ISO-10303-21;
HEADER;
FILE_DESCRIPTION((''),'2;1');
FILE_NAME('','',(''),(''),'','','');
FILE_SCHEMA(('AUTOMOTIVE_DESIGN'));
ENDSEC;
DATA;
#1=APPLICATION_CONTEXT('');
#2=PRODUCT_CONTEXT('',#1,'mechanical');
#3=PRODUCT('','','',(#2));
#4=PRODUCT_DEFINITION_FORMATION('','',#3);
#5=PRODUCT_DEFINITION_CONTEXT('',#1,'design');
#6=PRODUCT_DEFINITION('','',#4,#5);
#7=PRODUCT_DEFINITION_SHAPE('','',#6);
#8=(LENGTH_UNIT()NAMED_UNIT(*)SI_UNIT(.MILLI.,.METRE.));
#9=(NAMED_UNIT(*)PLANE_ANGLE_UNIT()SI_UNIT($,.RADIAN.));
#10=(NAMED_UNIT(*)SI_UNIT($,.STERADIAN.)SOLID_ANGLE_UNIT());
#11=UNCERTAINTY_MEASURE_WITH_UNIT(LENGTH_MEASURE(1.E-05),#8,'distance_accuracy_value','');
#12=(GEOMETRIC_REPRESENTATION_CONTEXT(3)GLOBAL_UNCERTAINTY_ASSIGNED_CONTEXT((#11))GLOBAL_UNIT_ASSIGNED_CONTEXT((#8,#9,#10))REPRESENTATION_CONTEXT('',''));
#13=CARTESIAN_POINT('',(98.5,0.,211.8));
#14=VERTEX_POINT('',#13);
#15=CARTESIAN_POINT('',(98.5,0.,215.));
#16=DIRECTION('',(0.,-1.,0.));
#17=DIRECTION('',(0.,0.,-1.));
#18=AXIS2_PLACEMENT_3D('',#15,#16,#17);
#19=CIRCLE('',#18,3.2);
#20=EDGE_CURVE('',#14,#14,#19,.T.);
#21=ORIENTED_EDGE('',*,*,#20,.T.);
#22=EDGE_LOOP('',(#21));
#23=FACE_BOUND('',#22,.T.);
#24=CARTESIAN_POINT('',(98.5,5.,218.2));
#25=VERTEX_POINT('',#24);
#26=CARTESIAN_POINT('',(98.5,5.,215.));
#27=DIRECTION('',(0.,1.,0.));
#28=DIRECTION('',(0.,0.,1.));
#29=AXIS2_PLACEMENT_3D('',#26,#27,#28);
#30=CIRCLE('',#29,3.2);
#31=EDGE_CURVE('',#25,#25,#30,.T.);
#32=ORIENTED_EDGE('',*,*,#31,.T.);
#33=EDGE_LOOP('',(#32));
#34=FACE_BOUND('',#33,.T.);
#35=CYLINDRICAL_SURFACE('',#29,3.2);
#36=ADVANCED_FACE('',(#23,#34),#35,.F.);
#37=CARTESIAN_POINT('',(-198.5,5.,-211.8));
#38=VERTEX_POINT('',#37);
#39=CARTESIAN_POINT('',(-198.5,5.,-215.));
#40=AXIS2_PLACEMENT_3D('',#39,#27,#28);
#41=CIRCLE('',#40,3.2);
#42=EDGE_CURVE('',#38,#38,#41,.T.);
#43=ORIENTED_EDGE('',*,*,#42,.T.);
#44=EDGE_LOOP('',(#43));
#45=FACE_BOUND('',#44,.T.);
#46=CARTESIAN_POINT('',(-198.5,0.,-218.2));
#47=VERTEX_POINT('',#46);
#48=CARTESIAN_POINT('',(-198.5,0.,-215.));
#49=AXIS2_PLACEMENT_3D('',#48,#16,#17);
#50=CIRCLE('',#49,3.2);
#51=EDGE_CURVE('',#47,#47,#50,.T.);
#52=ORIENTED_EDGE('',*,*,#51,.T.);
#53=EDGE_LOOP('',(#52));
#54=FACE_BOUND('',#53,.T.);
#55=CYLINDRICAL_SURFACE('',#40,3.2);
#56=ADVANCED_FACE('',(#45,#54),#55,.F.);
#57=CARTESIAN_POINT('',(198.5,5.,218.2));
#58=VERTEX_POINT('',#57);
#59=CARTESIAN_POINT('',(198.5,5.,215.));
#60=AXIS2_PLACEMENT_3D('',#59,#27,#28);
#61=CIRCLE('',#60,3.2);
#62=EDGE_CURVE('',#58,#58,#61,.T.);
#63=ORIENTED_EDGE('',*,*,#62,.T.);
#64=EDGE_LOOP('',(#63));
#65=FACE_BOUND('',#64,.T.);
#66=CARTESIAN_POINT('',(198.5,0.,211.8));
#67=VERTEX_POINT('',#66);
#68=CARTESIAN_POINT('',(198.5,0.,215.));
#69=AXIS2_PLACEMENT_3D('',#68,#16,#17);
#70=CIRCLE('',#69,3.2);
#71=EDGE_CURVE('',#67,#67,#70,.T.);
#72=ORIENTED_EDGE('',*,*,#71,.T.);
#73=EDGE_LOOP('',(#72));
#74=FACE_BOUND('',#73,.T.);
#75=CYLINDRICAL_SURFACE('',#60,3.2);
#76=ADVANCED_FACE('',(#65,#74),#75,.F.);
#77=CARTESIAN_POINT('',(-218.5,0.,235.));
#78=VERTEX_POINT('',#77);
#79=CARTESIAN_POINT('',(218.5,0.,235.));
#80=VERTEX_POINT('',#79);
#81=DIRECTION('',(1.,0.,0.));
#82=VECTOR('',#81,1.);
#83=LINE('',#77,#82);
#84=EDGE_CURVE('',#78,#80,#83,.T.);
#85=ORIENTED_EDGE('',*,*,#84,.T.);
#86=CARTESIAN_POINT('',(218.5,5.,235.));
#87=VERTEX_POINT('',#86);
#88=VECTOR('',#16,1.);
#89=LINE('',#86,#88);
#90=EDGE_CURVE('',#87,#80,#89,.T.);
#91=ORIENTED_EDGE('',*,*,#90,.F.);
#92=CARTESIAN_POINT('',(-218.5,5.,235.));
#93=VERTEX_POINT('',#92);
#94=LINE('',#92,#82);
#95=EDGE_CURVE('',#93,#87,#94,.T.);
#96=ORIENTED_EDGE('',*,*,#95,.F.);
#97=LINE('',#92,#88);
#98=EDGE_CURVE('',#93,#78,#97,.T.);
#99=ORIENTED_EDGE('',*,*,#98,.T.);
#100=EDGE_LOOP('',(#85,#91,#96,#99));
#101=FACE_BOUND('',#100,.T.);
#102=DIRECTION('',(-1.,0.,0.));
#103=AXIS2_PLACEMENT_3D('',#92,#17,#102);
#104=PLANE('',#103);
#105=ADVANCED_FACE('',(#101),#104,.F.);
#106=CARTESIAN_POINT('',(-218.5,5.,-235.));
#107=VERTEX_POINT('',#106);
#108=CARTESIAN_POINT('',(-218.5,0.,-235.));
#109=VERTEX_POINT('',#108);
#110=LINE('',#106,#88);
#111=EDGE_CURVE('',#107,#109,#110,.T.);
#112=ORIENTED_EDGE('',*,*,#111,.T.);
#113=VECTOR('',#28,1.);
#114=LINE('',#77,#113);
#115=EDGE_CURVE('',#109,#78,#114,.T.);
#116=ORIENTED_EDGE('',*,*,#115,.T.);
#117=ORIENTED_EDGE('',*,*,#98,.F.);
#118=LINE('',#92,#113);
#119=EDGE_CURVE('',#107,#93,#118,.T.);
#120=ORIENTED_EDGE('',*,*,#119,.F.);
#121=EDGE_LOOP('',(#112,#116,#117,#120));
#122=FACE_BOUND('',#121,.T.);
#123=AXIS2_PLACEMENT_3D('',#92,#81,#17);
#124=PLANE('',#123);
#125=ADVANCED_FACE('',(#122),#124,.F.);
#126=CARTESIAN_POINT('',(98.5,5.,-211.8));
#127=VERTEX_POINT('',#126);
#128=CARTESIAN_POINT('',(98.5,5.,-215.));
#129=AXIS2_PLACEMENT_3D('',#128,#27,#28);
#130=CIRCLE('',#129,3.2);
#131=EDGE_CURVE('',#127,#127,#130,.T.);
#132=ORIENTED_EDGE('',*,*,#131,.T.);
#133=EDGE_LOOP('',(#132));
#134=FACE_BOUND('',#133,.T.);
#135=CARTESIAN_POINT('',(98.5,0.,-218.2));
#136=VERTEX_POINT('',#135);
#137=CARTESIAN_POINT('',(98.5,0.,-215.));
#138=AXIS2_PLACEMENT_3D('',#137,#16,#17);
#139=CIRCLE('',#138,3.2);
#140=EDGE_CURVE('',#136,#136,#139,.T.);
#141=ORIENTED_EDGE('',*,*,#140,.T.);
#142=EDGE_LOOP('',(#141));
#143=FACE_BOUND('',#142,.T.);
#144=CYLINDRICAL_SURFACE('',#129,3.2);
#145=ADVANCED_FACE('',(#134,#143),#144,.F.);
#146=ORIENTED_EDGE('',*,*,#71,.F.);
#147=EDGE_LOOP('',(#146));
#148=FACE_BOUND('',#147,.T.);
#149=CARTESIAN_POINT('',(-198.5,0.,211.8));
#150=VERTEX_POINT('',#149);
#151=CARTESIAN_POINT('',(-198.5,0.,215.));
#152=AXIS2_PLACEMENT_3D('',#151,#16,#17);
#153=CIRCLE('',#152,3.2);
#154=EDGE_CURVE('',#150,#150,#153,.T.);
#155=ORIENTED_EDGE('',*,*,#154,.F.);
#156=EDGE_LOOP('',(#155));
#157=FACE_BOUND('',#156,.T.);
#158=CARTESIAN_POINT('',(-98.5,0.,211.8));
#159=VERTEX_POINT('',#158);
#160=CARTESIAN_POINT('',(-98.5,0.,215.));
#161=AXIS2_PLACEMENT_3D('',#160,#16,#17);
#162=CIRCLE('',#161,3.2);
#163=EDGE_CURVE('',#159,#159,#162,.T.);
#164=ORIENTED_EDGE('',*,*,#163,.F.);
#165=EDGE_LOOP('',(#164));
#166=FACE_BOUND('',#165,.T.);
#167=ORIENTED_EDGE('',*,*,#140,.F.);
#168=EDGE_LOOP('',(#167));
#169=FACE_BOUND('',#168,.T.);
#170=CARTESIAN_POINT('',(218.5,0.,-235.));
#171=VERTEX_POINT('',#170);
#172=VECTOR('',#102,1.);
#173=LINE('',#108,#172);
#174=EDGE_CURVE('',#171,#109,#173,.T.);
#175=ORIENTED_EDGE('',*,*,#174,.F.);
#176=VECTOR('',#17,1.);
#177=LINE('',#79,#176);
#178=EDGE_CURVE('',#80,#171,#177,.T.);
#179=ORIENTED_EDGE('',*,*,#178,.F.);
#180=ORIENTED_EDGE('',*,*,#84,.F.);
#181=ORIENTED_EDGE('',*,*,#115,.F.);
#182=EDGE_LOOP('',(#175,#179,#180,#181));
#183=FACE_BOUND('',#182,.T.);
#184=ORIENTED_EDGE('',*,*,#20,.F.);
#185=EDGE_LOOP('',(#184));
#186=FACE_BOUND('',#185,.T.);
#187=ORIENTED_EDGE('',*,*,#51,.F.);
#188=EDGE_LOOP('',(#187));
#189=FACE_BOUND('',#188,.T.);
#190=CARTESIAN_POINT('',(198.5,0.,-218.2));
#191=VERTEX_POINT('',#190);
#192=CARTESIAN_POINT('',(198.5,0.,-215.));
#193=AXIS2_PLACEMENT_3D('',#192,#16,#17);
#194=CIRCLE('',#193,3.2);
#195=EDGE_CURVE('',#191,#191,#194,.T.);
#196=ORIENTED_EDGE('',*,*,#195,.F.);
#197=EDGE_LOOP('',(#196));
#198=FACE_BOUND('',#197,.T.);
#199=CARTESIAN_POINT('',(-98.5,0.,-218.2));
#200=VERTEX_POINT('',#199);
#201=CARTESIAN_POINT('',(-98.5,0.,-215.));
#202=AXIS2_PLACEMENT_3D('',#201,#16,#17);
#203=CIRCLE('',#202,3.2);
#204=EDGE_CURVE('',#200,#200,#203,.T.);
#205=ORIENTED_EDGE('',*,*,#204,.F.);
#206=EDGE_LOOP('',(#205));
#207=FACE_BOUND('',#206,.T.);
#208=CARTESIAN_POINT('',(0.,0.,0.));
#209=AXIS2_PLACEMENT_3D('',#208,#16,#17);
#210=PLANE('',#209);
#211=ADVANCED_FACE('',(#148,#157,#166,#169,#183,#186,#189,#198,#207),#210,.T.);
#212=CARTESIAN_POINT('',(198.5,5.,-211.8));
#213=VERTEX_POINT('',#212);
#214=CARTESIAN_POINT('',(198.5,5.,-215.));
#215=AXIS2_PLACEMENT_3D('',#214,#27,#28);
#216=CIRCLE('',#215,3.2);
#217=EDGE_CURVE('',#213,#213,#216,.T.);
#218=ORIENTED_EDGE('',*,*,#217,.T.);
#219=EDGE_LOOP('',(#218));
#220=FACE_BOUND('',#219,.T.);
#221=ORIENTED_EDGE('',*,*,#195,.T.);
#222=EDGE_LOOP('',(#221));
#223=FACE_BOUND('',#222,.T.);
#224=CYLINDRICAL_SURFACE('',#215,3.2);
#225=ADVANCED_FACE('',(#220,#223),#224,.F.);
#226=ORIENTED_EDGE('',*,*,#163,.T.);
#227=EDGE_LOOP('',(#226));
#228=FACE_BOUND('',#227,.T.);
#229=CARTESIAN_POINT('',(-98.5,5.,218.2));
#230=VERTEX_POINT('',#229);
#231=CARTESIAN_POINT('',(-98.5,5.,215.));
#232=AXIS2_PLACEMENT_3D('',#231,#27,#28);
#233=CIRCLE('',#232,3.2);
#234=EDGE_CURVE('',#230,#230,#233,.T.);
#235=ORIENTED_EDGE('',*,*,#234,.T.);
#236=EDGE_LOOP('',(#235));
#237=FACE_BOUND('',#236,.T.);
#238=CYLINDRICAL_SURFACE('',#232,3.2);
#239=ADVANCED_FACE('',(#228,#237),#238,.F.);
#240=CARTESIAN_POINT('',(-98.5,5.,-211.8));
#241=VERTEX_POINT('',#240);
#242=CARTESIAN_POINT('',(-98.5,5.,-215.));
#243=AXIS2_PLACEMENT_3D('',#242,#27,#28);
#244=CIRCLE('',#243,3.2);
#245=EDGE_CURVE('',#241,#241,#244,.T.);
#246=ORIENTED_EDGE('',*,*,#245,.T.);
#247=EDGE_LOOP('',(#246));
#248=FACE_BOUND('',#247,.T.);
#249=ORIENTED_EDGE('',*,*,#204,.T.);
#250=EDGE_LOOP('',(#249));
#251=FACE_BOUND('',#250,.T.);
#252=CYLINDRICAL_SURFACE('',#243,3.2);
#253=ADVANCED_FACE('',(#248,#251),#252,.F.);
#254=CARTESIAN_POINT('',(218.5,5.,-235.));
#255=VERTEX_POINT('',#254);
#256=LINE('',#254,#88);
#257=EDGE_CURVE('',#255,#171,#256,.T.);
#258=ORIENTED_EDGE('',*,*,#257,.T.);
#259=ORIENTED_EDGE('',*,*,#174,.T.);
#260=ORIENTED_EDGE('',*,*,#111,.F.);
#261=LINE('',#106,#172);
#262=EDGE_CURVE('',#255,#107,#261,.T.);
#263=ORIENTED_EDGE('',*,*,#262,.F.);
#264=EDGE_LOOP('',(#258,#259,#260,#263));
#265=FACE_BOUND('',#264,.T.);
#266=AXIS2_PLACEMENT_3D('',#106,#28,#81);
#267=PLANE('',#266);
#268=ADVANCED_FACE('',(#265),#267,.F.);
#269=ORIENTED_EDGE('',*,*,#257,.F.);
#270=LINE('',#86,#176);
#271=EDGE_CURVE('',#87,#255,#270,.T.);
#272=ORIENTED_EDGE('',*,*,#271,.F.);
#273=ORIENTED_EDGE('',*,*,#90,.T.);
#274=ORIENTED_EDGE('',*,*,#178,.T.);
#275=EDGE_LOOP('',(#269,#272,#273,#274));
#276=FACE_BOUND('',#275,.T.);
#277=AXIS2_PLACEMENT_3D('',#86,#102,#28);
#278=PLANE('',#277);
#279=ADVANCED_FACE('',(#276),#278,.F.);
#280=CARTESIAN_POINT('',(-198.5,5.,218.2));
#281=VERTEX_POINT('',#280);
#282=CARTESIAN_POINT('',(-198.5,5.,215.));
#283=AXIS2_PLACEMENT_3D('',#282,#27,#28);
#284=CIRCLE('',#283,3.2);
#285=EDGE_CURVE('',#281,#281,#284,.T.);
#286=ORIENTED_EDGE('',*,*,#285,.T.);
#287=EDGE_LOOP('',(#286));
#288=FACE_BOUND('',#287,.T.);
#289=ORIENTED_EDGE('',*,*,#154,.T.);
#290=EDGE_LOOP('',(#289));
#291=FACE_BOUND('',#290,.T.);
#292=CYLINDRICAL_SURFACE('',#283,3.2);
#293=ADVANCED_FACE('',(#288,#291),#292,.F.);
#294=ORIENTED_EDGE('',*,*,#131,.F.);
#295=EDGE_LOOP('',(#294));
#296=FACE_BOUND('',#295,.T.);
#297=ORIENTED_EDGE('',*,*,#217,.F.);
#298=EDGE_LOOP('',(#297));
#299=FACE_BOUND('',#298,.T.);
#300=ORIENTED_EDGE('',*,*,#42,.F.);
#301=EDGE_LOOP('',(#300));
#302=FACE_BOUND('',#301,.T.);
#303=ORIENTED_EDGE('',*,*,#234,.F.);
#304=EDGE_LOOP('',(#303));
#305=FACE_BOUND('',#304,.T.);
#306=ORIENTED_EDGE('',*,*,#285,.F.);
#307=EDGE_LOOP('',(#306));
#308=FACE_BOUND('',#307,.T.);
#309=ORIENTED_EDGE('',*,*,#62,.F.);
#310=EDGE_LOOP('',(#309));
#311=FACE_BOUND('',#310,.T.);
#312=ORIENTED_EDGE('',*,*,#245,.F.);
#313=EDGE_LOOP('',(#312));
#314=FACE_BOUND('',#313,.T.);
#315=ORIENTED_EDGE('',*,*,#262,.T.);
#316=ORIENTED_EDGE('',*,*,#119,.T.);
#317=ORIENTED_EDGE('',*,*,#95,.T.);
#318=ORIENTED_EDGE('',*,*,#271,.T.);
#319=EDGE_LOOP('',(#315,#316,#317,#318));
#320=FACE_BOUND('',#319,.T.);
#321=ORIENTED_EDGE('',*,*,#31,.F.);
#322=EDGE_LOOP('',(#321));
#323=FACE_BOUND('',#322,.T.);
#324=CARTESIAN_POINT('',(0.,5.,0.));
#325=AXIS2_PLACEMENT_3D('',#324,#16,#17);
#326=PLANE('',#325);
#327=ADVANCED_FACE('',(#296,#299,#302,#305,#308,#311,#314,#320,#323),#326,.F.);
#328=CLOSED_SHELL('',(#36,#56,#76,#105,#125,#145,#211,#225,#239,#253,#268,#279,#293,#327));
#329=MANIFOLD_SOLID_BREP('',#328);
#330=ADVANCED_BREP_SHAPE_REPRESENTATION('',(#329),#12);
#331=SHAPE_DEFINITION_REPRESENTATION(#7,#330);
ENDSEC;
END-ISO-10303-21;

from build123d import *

# Parameters (mm, degrees)
SKETCH1_W                = 437
SKETCH1_H                = 470
BOSS_EXTRUDE1_DEPTH      = 5
M6_CLEARANCE_HOLE1_D     = 6.4
M6_CLEARANCE_HOLE1_DEPTH = 10
M6_CLEARANCE_HOLE1_TIP   = 1.922753981


with BuildPart() as part:
    # Sketch1 → Boss-Extrude1 (new body)
    with BuildSketch(Plane(origin=(0, 0, 0), x_dir=(1, 0, 0), z_dir=(0, 1, 0))):
        Rectangle(SKETCH1_W, SKETCH1_H)
    extrude(amount=BOSS_EXTRUDE1_DEPTH)

    # M6 Clearance Hole1
    with Locations(Plane(origin=(0, 5, 0), x_dir=(1, 0, 0), z_dir=(0, 1, 0))):
        with Locations((-198.5, 215), (-98.5, 215), (98.5, 215), (198.5, 215), (-198.5, -215), (-98.5, -215), (98.5, -215), (198.5, -215)):
            Hole(M6_CLEARANCE_HOLE1_D / 2, depth=M6_CLEARANCE_HOLE1_DEPTH)
            with Locations((0, 0, -(M6_CLEARANCE_HOLE1_DEPTH + M6_CLEARANCE_HOLE1_TIP / 2))):  # 118° drill point
                Cone(0, M6_CLEARANCE_HOLE1_D / 2, M6_CLEARANCE_HOLE1_TIP, mode=Mode.SUBTRACT)


solid = part.part
